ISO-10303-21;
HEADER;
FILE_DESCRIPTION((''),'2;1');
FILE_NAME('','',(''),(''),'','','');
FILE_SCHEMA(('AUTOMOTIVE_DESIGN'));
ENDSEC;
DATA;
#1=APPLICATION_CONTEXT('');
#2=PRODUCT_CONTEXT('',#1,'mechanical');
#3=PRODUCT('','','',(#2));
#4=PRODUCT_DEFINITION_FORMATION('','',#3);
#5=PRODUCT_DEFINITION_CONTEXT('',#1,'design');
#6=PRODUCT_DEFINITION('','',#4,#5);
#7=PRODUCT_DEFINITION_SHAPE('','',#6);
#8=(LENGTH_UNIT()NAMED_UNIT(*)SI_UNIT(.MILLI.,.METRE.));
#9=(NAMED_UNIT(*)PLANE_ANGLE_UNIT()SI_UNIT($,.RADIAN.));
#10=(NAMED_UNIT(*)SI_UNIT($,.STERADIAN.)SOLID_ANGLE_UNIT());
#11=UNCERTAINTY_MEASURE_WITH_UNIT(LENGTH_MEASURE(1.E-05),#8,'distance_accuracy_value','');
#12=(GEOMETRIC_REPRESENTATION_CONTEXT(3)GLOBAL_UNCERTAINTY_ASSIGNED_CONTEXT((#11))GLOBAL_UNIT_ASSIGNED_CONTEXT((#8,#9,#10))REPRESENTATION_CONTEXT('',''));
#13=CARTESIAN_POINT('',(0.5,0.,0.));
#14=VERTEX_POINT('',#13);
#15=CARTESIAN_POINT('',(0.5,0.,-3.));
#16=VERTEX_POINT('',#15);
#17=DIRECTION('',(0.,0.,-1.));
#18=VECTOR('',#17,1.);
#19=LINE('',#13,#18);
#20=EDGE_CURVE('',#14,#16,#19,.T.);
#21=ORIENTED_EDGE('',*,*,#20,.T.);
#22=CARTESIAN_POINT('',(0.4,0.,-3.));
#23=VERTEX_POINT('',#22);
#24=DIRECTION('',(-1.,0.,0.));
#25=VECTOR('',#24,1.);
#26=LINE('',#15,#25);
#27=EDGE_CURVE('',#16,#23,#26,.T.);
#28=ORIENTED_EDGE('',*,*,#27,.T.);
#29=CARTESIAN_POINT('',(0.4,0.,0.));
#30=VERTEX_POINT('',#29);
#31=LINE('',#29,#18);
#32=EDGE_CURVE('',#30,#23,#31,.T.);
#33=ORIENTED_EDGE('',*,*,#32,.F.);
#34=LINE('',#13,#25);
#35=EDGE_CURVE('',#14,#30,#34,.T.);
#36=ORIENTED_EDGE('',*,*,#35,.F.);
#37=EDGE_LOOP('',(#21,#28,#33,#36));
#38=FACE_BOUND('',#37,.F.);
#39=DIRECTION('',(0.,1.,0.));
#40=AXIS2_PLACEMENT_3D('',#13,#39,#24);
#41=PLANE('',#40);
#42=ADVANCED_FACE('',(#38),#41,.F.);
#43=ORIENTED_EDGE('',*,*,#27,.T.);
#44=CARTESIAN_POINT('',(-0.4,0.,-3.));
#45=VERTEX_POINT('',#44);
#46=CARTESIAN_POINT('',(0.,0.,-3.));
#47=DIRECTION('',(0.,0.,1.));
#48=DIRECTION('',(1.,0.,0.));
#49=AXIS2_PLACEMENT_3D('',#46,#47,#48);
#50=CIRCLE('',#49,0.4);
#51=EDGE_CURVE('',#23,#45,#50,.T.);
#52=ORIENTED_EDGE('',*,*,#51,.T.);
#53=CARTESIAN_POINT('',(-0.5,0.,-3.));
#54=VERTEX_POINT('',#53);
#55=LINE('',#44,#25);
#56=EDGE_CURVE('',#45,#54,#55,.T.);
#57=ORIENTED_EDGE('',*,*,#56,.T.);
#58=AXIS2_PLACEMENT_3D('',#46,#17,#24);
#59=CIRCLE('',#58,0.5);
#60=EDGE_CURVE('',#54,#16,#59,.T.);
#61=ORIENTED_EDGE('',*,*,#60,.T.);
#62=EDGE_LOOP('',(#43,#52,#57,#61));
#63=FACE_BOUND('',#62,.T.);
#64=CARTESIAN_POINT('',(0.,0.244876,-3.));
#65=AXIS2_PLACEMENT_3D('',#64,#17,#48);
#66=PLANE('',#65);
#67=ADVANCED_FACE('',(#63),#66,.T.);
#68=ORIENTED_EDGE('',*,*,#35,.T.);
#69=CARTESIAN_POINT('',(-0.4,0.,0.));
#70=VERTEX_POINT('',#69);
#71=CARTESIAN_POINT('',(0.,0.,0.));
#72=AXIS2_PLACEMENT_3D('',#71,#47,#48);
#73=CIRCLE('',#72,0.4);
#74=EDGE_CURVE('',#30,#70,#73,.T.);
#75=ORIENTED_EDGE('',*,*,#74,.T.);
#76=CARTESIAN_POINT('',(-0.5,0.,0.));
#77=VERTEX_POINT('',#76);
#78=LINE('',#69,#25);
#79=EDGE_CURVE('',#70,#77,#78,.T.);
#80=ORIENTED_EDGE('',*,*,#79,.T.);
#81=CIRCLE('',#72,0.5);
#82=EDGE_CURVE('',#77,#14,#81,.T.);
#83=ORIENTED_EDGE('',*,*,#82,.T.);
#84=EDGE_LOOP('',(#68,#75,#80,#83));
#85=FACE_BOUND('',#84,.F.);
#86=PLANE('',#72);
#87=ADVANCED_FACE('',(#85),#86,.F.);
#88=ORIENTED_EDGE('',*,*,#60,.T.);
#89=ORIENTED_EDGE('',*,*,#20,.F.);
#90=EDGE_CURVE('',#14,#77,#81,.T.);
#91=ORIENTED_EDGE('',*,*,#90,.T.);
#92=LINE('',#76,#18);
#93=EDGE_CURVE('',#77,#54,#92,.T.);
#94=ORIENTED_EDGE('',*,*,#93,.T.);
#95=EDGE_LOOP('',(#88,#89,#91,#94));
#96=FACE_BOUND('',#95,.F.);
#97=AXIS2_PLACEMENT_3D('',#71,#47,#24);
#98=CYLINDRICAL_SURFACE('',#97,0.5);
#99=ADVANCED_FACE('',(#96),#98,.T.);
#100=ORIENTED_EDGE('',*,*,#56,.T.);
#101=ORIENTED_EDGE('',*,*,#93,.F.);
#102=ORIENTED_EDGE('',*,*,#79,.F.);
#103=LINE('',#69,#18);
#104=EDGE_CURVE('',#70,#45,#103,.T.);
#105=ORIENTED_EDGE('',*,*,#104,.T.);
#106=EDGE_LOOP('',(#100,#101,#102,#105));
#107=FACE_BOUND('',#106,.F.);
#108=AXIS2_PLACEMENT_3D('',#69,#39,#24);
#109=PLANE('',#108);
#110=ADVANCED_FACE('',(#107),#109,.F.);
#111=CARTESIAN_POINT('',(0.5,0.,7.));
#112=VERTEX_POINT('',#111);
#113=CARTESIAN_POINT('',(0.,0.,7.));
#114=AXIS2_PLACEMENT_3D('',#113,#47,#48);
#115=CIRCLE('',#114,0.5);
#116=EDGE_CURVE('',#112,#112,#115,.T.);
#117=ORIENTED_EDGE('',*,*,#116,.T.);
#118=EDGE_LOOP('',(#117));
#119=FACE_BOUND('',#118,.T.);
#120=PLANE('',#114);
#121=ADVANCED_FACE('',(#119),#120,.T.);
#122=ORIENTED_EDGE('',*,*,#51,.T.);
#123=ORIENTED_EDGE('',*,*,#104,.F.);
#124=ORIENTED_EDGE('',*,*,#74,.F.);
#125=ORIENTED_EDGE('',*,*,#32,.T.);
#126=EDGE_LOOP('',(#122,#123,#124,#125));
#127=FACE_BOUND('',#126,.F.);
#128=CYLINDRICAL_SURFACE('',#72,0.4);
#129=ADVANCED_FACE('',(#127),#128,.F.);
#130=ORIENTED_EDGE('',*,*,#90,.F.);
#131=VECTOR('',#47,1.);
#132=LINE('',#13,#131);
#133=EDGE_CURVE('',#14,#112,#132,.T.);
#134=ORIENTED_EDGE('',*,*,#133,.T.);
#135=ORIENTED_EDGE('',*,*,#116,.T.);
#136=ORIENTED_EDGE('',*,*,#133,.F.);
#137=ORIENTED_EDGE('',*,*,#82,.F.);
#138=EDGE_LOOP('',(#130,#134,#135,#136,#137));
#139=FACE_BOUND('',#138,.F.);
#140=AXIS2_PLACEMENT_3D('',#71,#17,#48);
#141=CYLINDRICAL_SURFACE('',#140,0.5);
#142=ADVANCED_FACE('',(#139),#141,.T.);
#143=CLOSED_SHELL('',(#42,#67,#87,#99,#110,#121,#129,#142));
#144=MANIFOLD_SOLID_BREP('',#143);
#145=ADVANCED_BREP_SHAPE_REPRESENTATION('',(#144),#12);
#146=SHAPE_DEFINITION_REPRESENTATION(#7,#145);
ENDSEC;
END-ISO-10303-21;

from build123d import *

# Parameters (mm, degrees)
F0_R     = 0.5
F1_DEPTH = 7
F3_DEPTH = 3


with BuildPart() as f1:
    # F0 (on Top) → F1 (new body)
    with BuildSketch(Plane.XY):
        Circle(F0_R)
    extrude(amount=F1_DEPTH)

    # F2 (on face) → F3 (join)
    with BuildSketch(Plane(origin=(0, 0, 0), x_dir=(1, 0, 0), z_dir=(0, 0, -1))):
        with BuildLine():
            Line((-0.4, 0), (-0.5, 0))
            ThreePointArc((-0.5, 0), (0, -0.5), (0.5, 0))
            Line((0.5, 0), (0.4, 0))
            ThreePointArc((0.4, 0), (0, -0.4), (-0.4, 0))
        make_face()
    extrude(amount=F3_DEPTH)


solid = f1.part
